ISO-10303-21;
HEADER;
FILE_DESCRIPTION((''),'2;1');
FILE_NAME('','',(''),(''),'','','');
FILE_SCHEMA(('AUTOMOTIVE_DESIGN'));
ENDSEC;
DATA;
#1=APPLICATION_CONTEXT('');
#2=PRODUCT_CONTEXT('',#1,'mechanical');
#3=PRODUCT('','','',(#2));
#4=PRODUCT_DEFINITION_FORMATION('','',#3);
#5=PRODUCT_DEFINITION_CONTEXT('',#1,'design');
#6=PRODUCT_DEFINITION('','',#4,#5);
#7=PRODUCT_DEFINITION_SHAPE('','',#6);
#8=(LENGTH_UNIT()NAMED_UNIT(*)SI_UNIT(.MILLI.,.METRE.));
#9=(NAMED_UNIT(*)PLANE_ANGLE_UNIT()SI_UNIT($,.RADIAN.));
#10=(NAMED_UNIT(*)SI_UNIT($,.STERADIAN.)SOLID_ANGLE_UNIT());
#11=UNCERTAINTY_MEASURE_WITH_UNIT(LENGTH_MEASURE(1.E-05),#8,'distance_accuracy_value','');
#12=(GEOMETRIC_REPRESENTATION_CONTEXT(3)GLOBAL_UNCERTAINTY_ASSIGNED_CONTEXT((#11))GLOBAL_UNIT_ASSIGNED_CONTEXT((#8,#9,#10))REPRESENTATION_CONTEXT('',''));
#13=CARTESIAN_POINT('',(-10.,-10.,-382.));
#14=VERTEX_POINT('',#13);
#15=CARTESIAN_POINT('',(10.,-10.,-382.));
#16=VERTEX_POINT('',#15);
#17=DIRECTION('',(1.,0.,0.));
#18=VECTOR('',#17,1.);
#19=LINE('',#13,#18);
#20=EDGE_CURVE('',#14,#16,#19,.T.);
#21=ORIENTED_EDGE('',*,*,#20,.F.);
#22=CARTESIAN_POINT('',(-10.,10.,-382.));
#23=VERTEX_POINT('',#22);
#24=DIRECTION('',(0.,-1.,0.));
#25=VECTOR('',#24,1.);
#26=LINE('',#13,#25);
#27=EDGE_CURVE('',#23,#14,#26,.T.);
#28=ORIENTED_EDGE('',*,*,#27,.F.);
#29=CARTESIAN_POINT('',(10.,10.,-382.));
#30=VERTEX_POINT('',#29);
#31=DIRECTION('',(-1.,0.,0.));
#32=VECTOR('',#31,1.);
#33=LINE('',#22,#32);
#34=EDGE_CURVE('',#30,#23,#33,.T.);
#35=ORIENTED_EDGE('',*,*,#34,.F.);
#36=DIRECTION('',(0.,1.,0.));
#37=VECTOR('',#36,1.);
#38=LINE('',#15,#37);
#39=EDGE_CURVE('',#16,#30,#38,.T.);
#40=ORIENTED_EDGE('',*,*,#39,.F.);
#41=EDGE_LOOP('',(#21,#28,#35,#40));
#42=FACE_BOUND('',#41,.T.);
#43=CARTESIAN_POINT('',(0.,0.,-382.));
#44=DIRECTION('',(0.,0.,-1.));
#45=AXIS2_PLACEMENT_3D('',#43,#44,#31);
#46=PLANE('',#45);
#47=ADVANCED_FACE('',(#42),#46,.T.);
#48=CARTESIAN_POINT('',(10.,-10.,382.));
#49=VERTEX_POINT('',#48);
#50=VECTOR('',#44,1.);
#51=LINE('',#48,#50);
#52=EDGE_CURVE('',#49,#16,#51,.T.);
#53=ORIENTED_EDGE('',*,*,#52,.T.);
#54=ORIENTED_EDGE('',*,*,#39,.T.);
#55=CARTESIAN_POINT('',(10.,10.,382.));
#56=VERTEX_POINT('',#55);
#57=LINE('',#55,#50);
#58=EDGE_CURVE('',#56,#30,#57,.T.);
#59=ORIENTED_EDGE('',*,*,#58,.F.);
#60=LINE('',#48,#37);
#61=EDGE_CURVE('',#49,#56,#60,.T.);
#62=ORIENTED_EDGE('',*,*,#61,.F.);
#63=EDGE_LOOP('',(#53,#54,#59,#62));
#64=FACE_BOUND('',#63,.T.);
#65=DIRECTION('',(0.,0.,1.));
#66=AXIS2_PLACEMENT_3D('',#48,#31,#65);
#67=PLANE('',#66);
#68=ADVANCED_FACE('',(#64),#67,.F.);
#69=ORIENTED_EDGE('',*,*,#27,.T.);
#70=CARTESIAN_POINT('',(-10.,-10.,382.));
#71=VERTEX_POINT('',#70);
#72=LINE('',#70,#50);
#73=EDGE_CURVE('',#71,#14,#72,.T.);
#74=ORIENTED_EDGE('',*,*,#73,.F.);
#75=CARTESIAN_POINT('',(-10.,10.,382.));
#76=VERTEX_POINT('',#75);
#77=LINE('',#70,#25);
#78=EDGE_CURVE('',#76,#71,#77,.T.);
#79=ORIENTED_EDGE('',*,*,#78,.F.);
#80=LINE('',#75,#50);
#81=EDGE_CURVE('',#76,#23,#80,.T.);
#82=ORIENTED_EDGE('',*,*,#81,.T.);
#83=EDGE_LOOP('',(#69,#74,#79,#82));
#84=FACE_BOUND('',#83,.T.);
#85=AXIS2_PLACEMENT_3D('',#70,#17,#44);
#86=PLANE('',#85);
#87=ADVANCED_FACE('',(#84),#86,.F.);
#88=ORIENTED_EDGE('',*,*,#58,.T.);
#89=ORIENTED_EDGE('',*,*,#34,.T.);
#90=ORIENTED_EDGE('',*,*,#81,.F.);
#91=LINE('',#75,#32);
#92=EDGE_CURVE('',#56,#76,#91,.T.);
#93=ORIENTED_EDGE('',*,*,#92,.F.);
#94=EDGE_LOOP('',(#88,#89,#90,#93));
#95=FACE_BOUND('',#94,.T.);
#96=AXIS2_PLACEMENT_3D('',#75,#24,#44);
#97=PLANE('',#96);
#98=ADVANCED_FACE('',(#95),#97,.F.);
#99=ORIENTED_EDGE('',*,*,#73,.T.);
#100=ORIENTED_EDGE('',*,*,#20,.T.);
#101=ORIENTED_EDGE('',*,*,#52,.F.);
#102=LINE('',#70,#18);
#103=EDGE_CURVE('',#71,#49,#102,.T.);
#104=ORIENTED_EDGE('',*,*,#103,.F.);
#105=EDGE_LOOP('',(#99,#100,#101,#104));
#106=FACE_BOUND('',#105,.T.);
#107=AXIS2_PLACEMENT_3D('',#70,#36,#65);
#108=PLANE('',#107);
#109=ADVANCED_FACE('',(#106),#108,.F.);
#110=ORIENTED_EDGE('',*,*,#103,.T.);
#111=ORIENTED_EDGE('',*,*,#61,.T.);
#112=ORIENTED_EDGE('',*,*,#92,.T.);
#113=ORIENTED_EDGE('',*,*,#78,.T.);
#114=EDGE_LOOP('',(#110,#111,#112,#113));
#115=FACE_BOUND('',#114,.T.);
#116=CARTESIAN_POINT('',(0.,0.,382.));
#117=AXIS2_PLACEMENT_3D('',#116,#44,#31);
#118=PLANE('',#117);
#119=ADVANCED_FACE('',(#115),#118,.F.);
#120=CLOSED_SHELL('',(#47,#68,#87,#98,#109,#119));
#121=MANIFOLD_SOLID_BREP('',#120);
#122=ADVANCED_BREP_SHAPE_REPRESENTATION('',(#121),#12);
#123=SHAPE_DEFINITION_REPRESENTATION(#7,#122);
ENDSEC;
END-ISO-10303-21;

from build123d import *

# Parameters (mm, degrees)
SKETCH1_W           = 20
SKETCH1_H           = 20
BOSS_EXTRUDE1_DEPTH = 382


with BuildPart() as part:
    # Sketch1 → Boss-Extrude1 (new body, symmetric)
    with BuildSketch(Plane.XY):
        Rectangle(SKETCH1_W, SKETCH1_H)
    extrude(amount=BOSS_EXTRUDE1_DEPTH, both=True)


solid = part.part
